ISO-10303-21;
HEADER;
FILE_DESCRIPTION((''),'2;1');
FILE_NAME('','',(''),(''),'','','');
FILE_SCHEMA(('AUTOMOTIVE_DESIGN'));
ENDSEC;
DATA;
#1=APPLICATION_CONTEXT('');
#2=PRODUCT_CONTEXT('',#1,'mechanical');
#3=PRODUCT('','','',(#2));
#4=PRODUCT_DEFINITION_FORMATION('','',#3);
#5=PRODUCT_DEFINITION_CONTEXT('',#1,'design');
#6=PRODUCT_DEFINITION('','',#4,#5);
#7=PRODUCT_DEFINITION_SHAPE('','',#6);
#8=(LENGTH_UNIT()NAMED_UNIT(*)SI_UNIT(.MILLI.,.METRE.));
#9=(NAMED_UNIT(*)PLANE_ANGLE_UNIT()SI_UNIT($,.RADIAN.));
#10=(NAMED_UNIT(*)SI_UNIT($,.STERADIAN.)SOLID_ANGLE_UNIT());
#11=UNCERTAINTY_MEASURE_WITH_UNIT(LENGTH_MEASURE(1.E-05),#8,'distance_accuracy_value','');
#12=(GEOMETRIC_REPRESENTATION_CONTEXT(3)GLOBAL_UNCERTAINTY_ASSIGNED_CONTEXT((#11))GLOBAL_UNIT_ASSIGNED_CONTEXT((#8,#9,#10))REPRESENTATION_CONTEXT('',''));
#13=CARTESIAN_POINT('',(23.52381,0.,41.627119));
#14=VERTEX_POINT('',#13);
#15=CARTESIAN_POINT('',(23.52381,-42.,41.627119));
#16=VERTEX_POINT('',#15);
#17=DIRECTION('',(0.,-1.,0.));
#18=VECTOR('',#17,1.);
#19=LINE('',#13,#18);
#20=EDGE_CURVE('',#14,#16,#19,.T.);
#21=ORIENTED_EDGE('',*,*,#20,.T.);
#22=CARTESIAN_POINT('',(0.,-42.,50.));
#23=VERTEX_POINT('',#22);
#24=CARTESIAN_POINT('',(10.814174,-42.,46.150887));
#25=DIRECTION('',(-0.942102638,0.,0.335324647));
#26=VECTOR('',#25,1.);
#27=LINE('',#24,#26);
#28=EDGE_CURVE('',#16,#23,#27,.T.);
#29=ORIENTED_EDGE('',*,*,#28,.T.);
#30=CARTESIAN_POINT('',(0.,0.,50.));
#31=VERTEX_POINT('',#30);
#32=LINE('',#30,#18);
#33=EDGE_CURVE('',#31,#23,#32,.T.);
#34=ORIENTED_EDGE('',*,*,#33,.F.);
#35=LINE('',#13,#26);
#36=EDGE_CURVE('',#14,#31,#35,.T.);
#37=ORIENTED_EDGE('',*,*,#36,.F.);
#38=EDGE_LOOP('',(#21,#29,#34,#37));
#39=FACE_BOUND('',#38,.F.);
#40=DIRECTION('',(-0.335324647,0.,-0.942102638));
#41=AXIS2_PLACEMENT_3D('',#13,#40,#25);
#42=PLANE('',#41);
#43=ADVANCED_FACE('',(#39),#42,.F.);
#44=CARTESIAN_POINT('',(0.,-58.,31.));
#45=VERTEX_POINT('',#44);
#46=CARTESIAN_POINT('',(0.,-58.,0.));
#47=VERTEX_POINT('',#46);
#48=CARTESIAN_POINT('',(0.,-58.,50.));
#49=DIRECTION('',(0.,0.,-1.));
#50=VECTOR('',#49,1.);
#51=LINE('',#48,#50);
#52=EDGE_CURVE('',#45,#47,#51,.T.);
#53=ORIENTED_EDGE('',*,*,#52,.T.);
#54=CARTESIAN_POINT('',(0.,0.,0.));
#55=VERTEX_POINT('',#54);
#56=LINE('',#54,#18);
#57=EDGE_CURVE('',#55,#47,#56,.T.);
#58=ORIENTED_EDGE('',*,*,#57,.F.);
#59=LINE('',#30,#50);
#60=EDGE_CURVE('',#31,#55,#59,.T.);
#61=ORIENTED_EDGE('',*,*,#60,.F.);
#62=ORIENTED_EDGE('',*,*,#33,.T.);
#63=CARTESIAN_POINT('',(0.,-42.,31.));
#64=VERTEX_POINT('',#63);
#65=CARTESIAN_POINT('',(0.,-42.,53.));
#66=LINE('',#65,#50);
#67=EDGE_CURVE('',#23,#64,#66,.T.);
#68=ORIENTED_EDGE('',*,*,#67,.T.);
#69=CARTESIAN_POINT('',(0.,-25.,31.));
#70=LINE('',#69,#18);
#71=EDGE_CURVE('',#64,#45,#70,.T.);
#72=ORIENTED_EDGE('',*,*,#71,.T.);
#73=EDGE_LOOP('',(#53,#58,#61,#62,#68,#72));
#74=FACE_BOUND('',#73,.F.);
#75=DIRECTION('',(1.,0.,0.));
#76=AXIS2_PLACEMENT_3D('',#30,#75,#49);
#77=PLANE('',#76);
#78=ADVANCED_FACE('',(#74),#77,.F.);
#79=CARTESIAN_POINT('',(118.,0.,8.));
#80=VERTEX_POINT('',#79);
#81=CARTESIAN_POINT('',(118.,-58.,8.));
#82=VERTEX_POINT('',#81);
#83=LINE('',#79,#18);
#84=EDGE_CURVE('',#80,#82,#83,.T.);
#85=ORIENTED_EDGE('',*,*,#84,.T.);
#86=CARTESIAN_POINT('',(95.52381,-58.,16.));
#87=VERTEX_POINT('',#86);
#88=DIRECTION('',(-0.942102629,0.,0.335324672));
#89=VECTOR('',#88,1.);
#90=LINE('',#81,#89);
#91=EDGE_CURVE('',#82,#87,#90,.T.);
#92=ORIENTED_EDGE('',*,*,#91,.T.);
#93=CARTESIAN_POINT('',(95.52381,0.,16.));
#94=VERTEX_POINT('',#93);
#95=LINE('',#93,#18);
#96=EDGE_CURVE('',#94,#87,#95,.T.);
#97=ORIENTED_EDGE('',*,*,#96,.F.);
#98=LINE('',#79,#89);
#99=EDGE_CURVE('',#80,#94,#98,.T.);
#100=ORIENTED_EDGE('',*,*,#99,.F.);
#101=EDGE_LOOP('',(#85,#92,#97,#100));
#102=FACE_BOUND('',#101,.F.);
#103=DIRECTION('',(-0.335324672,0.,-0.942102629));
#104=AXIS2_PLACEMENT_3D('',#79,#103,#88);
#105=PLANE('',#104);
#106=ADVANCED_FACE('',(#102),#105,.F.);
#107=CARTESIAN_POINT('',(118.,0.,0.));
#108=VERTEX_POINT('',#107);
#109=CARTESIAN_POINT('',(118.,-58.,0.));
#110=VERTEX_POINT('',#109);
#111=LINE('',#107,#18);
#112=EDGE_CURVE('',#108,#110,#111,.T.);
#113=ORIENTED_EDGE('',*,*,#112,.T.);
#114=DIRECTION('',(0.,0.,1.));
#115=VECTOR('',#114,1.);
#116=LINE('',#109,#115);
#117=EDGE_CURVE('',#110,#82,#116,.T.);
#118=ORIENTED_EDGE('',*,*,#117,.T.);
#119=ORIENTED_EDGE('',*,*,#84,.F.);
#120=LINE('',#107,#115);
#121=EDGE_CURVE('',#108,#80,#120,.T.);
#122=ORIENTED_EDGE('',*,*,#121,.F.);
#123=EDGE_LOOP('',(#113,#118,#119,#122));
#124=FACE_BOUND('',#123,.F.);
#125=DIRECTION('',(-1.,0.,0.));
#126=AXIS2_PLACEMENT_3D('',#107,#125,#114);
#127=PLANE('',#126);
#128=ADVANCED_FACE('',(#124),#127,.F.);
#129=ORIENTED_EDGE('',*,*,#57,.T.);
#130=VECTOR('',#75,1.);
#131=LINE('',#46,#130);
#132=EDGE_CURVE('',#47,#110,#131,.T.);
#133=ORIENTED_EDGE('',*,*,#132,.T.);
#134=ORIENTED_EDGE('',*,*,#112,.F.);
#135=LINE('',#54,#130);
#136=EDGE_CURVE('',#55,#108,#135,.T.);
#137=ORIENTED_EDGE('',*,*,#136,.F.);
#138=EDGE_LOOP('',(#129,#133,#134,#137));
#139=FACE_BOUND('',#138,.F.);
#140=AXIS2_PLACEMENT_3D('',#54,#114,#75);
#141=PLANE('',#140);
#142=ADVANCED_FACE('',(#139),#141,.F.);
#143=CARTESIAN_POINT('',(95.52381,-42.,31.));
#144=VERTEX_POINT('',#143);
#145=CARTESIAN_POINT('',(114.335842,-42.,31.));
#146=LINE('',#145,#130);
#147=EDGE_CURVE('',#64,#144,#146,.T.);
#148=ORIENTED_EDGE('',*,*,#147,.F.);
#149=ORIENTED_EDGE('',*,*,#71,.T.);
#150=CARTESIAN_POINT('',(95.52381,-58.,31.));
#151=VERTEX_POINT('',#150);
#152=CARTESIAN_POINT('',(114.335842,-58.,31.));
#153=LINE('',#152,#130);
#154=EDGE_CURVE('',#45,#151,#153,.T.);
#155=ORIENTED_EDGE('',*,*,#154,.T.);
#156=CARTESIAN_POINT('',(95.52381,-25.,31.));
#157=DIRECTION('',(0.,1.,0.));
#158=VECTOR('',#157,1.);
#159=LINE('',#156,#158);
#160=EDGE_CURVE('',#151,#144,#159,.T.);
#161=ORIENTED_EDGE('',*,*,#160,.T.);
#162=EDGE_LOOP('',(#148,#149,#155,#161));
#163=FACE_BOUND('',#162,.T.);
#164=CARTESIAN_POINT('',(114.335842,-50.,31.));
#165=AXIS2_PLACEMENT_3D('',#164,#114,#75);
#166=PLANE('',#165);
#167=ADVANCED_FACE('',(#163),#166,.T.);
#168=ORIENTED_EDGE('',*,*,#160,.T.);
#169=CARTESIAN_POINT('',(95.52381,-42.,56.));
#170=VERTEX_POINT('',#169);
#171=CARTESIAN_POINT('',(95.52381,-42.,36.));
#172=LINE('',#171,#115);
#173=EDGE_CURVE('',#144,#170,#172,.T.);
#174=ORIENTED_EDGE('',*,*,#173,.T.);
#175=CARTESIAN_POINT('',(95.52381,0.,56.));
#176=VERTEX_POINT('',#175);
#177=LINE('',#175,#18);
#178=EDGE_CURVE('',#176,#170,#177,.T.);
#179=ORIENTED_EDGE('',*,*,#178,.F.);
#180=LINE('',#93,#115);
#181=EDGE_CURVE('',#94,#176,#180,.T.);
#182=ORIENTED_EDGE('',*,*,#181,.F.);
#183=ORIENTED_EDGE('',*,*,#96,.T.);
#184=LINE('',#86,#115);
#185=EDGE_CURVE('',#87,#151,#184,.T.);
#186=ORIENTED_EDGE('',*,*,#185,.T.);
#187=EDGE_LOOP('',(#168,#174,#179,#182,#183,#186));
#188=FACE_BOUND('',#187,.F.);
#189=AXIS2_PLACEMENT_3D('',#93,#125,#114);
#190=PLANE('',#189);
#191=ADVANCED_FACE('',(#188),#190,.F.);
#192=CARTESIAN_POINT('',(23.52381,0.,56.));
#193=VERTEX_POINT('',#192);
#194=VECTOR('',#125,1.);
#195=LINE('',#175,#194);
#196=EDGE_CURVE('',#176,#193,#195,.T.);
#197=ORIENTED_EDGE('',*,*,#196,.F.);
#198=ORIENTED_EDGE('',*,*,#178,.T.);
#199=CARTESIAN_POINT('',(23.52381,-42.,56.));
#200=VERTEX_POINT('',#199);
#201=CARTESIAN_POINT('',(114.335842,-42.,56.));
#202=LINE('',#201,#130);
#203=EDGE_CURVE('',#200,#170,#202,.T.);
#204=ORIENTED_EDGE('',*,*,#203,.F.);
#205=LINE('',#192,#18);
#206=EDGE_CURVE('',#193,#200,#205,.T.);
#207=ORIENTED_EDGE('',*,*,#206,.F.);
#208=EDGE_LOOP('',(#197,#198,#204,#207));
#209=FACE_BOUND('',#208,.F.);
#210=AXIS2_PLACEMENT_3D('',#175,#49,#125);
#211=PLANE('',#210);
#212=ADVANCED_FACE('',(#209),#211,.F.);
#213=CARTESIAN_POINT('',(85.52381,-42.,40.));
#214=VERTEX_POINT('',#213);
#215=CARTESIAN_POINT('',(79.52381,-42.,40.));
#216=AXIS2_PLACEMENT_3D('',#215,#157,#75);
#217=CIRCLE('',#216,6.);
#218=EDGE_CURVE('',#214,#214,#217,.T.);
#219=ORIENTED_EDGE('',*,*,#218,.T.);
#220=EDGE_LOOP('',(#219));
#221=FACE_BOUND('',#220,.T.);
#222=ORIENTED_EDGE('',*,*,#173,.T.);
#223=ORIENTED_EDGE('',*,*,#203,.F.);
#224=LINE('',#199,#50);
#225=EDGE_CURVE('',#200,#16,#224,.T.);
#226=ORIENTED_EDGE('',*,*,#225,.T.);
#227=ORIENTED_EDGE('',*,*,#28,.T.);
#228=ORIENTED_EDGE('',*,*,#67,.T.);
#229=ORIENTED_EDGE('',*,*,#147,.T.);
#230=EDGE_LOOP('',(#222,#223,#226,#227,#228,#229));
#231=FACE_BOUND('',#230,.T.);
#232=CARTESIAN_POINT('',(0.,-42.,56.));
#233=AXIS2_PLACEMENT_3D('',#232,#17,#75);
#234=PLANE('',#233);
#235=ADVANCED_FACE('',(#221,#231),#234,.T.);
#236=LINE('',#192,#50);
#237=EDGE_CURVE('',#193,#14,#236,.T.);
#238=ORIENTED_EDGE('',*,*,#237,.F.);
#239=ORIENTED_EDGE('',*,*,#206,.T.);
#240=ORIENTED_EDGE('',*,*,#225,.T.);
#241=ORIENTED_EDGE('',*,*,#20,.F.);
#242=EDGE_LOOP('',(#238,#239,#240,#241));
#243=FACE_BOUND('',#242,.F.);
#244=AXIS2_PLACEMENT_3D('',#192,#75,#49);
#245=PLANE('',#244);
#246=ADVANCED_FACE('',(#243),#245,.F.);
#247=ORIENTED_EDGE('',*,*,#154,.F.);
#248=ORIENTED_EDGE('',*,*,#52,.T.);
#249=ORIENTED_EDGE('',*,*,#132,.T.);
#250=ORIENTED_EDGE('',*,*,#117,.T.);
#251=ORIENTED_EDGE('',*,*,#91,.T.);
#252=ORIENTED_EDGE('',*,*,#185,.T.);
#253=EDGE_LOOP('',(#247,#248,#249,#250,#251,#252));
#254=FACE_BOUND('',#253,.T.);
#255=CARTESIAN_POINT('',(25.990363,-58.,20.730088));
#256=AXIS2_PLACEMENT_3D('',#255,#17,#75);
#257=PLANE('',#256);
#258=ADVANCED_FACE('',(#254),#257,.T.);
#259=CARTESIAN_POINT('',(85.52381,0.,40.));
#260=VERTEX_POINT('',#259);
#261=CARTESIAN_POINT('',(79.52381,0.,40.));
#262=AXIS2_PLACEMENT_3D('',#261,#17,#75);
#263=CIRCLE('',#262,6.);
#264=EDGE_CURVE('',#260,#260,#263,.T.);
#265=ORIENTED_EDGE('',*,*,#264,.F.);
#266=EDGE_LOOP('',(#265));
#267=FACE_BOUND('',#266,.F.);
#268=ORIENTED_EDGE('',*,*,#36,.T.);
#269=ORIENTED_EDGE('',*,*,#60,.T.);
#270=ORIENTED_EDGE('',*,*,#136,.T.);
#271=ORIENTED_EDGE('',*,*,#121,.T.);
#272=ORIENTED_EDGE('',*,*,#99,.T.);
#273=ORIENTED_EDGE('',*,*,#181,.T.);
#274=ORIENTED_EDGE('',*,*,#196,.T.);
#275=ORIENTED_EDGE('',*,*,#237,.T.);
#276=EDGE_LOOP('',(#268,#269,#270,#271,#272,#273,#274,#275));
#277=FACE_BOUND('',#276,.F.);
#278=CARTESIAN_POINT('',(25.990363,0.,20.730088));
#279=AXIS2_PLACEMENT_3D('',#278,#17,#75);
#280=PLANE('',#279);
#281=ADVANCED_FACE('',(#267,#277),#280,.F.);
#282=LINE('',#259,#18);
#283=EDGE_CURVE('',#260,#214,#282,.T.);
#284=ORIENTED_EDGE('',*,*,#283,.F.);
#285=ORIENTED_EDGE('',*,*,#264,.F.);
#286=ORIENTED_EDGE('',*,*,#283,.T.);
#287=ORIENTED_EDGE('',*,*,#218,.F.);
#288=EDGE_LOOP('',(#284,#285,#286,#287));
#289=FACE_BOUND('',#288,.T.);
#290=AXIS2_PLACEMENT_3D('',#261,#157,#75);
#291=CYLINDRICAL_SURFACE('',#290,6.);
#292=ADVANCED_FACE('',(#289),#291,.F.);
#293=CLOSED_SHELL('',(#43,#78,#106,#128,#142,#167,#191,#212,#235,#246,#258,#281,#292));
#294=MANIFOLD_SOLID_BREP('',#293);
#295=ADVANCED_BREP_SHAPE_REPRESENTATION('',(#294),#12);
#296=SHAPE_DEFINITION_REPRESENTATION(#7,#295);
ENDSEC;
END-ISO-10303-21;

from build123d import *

# Parameters (mm, degrees)
F0_R     = 6
F1_DEPTH = 58
F2_W     = 228.671685
F2_H     = 16
F3_DEPTH = 25


with BuildPart() as f1:
    # F0 (on Front) → F1 (new body)
    with BuildSketch(Plane.XZ):
        Polygon((0, 50), (0, 0), (58, 0), (58, 29.355932), (23.52381, 41.627119), align=None)
        Polygon((58, 29.355932), (58, 0), (118, 0), (118, 8), (95.52381, 16), (95.52381, 56), (23.52381, 56), (23.52381, 41.627119), align=None)
        with Locations((79.52381, 40)):
            Circle(F0_R, mode=Mode.SUBTRACT)
    extrude(amount=F1_DEPTH)

    # F2 (on face) → F3 (cut)
    with BuildSketch(Plane.XY.offset(56)):
        with Locations((114.335842, -50)):
            Rectangle(F2_W, F2_H)
    extrude(amount=-F3_DEPTH, mode=Mode.SUBTRACT)


solid = f1.part
